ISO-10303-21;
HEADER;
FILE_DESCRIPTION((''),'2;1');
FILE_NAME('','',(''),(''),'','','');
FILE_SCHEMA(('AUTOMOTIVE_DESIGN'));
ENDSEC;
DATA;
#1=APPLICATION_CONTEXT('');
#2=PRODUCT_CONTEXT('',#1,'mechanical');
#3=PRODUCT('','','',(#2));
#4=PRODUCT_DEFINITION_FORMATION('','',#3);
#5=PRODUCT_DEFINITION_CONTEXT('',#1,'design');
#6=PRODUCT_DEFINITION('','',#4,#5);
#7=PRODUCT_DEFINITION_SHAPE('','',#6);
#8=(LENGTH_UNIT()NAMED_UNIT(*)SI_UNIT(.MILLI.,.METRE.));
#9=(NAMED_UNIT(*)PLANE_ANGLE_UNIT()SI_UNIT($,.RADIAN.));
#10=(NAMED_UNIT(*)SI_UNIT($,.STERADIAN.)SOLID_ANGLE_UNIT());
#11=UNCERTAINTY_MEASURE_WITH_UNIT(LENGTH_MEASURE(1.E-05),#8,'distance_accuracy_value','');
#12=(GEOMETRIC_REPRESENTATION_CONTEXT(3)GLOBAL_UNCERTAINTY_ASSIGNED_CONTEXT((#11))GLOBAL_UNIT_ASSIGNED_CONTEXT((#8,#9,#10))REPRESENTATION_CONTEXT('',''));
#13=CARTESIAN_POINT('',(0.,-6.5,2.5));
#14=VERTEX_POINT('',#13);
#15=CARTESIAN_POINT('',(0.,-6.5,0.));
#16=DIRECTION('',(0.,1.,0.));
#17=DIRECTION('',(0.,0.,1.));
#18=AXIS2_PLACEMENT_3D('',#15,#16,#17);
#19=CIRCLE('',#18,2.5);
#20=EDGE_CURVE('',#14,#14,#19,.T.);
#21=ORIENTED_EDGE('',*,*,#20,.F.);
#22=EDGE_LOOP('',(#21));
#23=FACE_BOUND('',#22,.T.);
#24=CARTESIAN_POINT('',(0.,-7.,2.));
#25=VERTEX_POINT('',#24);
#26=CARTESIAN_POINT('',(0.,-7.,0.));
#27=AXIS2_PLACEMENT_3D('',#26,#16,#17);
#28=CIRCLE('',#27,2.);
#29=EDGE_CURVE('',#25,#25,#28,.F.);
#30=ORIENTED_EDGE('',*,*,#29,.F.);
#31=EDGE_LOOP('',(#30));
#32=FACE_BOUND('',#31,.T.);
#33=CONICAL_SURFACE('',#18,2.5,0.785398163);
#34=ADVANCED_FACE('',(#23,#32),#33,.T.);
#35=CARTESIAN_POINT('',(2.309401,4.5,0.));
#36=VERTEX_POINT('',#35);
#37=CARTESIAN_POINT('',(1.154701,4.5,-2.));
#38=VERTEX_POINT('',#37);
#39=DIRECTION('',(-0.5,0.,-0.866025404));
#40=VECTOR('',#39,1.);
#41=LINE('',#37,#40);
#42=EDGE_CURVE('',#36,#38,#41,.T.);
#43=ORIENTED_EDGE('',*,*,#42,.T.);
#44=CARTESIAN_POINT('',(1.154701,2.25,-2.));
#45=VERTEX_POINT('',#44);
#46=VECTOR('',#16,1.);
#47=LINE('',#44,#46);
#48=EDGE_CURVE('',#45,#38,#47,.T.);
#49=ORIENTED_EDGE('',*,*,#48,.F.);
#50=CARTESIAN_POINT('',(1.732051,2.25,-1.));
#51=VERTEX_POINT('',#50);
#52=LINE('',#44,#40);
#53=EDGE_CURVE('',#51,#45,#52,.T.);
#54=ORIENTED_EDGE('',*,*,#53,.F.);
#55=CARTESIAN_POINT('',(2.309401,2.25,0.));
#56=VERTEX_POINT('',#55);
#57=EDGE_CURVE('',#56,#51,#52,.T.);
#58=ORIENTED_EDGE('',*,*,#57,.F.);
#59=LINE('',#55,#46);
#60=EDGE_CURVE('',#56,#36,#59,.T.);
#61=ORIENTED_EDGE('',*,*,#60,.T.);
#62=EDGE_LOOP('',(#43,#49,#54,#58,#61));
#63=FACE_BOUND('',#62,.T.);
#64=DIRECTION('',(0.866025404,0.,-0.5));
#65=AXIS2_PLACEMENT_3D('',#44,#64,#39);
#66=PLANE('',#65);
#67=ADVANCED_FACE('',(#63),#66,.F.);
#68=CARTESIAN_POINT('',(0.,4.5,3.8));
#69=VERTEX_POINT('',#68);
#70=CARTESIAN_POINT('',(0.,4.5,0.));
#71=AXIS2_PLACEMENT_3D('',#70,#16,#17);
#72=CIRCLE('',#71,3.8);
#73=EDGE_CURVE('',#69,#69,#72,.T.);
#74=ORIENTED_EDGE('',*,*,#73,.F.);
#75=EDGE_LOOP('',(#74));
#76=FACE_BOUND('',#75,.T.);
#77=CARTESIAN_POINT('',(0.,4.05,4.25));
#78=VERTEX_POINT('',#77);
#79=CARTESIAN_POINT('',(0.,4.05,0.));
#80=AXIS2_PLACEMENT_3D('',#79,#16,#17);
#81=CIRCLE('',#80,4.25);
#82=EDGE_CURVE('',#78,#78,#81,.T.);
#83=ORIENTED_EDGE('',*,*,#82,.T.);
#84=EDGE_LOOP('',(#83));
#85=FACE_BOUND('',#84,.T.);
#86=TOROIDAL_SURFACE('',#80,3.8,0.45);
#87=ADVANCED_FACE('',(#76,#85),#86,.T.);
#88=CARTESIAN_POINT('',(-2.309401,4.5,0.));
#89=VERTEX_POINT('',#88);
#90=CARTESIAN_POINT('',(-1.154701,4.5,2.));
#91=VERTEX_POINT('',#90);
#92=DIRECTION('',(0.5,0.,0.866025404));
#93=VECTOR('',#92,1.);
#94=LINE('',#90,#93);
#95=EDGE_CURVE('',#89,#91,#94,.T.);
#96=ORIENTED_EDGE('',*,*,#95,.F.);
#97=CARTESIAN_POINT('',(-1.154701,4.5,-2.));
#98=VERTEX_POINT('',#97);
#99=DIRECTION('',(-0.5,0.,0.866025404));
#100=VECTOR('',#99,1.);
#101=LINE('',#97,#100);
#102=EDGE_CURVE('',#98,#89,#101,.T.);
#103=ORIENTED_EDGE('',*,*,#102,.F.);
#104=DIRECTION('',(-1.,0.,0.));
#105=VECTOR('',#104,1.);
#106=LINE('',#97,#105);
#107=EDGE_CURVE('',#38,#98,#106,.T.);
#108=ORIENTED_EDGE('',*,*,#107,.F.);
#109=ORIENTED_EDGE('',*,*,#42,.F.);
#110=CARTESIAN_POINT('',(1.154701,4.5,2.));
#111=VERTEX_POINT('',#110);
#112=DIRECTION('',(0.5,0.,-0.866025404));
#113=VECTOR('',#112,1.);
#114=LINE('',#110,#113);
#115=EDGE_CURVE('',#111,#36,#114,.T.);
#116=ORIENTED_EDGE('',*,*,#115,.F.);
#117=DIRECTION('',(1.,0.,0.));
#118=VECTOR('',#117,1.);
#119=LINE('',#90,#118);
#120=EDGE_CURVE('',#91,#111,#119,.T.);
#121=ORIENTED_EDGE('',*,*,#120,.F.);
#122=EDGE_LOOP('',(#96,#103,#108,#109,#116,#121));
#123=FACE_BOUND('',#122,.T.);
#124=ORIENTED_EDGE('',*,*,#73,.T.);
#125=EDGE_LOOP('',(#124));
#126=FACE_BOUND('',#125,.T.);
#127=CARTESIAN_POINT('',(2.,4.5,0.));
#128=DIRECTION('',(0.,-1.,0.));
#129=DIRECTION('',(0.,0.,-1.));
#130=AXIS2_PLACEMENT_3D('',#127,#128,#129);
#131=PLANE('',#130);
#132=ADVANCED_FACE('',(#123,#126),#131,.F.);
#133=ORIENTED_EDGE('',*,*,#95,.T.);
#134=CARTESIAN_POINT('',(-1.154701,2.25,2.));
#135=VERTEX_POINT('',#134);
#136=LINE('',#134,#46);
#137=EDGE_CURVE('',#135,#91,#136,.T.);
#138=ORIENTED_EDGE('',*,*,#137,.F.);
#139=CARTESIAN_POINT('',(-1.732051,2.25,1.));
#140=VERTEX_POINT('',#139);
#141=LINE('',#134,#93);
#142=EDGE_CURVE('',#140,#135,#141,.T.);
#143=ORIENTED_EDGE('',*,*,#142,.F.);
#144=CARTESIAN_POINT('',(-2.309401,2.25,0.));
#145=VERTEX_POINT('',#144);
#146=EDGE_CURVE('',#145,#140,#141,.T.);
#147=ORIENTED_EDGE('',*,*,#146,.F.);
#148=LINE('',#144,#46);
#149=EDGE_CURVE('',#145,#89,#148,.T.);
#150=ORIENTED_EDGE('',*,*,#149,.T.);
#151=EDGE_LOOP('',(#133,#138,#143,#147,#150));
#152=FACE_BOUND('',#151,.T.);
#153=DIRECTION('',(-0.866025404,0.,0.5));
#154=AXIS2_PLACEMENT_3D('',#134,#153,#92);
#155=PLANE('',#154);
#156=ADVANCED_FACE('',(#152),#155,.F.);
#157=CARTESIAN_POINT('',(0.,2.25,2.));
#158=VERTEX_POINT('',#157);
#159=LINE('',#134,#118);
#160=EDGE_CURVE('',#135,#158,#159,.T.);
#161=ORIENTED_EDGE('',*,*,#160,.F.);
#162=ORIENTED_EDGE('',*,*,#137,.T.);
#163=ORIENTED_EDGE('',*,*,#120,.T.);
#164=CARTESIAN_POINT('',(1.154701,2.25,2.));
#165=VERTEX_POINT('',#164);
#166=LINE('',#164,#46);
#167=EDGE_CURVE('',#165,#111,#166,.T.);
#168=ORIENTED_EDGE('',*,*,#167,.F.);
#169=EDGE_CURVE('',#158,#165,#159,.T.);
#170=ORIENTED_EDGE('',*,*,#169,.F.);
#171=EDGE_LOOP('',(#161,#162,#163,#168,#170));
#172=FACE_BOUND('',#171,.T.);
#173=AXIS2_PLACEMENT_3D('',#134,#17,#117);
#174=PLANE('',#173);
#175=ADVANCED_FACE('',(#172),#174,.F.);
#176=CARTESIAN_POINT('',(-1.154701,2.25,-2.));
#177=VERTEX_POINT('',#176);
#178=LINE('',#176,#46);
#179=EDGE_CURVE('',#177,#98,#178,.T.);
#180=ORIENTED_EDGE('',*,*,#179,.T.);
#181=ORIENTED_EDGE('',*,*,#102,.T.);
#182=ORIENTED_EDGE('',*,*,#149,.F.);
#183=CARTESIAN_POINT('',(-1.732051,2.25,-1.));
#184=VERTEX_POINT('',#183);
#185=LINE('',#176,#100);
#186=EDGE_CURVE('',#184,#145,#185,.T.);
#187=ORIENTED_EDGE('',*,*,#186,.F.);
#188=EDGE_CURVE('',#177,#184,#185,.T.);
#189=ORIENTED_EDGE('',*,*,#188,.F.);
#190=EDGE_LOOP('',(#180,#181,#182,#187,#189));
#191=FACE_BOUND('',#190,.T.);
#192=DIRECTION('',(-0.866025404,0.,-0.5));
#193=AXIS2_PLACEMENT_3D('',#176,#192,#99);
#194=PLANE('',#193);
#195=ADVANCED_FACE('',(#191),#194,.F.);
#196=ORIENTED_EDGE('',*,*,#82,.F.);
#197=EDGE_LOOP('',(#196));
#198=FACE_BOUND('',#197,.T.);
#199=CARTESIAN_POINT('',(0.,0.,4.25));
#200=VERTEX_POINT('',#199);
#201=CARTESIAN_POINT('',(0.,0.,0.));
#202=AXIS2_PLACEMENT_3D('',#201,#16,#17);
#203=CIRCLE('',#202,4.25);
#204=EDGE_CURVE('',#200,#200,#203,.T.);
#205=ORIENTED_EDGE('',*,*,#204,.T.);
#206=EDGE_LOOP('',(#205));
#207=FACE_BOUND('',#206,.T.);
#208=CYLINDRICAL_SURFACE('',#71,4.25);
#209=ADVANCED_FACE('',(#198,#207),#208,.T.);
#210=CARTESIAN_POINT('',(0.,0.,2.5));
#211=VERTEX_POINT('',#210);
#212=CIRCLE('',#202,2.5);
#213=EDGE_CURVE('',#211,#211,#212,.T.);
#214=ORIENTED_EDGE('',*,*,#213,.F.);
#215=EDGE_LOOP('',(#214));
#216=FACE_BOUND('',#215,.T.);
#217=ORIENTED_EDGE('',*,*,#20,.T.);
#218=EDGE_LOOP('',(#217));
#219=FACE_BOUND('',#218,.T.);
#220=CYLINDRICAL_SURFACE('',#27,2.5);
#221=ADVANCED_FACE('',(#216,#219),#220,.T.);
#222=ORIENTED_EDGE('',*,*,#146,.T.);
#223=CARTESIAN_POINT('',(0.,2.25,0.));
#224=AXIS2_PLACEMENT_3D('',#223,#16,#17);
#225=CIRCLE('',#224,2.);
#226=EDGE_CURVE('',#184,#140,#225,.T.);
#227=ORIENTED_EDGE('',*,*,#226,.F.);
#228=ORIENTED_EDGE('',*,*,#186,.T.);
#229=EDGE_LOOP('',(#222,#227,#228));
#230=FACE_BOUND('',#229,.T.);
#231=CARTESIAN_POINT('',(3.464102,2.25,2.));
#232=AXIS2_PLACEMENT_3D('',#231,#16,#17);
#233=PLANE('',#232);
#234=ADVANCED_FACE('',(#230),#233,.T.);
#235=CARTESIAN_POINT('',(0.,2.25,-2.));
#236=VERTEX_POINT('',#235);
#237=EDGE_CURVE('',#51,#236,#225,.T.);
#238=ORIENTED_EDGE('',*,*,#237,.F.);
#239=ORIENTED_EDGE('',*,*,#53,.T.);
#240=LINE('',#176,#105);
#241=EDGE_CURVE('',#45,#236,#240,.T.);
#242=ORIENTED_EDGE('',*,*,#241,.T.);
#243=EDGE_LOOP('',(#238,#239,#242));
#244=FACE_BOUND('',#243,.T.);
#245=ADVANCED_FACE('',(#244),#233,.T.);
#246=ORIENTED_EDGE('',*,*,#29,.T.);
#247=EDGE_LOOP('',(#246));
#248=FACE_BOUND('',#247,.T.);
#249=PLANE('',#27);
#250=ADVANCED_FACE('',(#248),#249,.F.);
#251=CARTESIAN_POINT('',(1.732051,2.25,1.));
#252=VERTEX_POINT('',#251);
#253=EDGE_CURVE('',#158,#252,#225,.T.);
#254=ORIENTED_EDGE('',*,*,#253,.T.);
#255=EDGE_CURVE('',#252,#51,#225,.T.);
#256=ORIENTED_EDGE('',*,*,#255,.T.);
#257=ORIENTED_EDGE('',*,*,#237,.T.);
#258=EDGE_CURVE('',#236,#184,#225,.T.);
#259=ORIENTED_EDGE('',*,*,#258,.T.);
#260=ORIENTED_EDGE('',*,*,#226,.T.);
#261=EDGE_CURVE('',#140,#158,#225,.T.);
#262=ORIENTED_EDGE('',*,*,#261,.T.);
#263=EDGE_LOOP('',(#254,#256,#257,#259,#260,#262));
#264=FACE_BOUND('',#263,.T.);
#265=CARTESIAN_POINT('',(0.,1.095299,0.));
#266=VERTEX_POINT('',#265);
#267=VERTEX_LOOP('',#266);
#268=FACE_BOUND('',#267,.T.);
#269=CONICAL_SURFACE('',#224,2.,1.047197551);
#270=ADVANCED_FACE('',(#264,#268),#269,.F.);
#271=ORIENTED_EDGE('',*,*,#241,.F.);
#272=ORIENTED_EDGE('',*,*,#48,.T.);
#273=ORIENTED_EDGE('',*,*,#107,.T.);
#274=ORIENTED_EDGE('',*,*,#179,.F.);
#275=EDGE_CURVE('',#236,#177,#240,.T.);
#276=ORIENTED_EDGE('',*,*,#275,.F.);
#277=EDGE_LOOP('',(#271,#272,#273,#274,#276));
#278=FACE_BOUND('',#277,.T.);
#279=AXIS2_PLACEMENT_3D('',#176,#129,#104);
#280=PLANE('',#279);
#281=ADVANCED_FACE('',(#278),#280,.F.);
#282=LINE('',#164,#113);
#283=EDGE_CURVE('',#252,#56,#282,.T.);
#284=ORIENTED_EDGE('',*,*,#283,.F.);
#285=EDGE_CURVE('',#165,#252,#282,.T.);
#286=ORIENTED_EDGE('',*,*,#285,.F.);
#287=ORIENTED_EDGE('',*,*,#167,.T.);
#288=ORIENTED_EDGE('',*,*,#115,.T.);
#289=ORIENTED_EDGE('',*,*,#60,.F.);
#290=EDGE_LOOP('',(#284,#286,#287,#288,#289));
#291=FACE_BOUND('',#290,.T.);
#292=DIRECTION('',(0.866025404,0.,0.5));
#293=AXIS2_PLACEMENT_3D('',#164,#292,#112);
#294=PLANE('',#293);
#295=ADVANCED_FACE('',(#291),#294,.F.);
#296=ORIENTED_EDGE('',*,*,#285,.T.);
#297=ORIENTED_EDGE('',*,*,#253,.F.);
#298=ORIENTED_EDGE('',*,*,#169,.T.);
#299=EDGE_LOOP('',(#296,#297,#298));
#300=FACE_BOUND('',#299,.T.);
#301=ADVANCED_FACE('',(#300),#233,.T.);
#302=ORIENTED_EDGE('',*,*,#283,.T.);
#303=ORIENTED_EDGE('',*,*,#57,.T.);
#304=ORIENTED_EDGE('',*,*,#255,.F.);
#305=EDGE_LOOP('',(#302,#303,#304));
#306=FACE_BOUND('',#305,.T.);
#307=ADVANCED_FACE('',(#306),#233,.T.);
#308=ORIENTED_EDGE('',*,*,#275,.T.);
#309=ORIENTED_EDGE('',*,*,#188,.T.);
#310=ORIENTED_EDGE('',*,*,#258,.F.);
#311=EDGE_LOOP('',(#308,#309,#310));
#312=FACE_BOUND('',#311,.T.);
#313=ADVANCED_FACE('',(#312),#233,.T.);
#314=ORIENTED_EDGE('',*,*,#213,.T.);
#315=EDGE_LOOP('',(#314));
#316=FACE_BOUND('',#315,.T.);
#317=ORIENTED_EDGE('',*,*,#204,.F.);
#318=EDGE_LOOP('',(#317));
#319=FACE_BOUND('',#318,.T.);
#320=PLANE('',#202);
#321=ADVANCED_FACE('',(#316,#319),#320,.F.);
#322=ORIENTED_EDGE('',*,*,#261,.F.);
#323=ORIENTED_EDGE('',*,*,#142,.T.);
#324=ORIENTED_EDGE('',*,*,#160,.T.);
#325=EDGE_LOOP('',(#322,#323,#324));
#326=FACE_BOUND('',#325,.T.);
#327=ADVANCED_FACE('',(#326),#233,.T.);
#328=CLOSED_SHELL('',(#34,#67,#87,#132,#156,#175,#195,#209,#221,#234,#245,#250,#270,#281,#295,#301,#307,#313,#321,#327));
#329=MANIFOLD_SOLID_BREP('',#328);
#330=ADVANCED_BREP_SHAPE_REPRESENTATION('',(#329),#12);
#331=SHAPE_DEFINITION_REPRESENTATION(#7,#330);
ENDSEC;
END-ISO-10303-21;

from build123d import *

# Parameters (mm, degrees)
ESQUISSE2_R             = 2.5
BASE_EXTRUSION_DEPTH    = 7
CHANFREIN1_SIZE         = 0.5
ENL_V_MAT_EXTRU_1_DEPTH = 2.25


with BuildPart() as part:
    # Esquisse2 → Base-Extrusion (new body)
    with BuildSketch(Plane(origin=(0, 0, 0), x_dir=(1, 0, 0), z_dir=(0, 1, 0))):
        with Locations(Location((0, 0, 0), (0, 0, 270))):  # turned: the seam where the file's is
            Circle(ESQUISSE2_R)
    extrude(amount=-BASE_EXTRUSION_DEPTH)

    # Chanfrein1
    chanfrein1_edges = [part.edges().sort_by_distance(p)[0] for p in [
        (0, -7, -2.5),
    ]]
    chamfer(chanfrein1_edges, length=CHANFREIN1_SIZE)

    # Esquisse5 → Boss.-Révol.1 (revolve)
    with BuildSketch(Plane.XY, mode=Mode.PRIVATE) as boss_r_vol_1_sk:
        with BuildLine():
            Line((2, 4.5), (2, 2.25))
            Line((2, 2.25), (0, 1.095299462))
            Line((0, 1.095299462), (0, 0))
            Line((0, 0), (4.25, 0))
            Line((4.25, 0), (4.25, 4.05))
            ThreePointArc((4.25, 4.05), (4.118198052, 4.368198052), (3.8, 4.5))
            Line((3.8, 4.5), (2, 4.5))
        make_face()
    revolve(boss_r_vol_1_sk.sketch.rotate(Axis((0, 4.5, 0), (0, -1, 0)), 90), axis=Axis((0, 4.5, 0), (0, -1, 0)))  # turned: the seam where the file's is

    # Esquisse7 → Enlèv. mat.-Extru.1 (cut)
    with BuildSketch(Plane(origin=(0, 4.5, 0), x_dir=(-1, 0, 0), z_dir=(0, 1, 0))):
        Polygon((1.154700538, 2), (-1.154700538, 2), (-2.309401077, 0), (-1.154700538, -2), (1.154700538, -2), (2.309401077, 0), align=None)
    extrude(amount=-ENL_V_MAT_EXTRU_1_DEPTH, mode=Mode.SUBTRACT)


solid = part.part
